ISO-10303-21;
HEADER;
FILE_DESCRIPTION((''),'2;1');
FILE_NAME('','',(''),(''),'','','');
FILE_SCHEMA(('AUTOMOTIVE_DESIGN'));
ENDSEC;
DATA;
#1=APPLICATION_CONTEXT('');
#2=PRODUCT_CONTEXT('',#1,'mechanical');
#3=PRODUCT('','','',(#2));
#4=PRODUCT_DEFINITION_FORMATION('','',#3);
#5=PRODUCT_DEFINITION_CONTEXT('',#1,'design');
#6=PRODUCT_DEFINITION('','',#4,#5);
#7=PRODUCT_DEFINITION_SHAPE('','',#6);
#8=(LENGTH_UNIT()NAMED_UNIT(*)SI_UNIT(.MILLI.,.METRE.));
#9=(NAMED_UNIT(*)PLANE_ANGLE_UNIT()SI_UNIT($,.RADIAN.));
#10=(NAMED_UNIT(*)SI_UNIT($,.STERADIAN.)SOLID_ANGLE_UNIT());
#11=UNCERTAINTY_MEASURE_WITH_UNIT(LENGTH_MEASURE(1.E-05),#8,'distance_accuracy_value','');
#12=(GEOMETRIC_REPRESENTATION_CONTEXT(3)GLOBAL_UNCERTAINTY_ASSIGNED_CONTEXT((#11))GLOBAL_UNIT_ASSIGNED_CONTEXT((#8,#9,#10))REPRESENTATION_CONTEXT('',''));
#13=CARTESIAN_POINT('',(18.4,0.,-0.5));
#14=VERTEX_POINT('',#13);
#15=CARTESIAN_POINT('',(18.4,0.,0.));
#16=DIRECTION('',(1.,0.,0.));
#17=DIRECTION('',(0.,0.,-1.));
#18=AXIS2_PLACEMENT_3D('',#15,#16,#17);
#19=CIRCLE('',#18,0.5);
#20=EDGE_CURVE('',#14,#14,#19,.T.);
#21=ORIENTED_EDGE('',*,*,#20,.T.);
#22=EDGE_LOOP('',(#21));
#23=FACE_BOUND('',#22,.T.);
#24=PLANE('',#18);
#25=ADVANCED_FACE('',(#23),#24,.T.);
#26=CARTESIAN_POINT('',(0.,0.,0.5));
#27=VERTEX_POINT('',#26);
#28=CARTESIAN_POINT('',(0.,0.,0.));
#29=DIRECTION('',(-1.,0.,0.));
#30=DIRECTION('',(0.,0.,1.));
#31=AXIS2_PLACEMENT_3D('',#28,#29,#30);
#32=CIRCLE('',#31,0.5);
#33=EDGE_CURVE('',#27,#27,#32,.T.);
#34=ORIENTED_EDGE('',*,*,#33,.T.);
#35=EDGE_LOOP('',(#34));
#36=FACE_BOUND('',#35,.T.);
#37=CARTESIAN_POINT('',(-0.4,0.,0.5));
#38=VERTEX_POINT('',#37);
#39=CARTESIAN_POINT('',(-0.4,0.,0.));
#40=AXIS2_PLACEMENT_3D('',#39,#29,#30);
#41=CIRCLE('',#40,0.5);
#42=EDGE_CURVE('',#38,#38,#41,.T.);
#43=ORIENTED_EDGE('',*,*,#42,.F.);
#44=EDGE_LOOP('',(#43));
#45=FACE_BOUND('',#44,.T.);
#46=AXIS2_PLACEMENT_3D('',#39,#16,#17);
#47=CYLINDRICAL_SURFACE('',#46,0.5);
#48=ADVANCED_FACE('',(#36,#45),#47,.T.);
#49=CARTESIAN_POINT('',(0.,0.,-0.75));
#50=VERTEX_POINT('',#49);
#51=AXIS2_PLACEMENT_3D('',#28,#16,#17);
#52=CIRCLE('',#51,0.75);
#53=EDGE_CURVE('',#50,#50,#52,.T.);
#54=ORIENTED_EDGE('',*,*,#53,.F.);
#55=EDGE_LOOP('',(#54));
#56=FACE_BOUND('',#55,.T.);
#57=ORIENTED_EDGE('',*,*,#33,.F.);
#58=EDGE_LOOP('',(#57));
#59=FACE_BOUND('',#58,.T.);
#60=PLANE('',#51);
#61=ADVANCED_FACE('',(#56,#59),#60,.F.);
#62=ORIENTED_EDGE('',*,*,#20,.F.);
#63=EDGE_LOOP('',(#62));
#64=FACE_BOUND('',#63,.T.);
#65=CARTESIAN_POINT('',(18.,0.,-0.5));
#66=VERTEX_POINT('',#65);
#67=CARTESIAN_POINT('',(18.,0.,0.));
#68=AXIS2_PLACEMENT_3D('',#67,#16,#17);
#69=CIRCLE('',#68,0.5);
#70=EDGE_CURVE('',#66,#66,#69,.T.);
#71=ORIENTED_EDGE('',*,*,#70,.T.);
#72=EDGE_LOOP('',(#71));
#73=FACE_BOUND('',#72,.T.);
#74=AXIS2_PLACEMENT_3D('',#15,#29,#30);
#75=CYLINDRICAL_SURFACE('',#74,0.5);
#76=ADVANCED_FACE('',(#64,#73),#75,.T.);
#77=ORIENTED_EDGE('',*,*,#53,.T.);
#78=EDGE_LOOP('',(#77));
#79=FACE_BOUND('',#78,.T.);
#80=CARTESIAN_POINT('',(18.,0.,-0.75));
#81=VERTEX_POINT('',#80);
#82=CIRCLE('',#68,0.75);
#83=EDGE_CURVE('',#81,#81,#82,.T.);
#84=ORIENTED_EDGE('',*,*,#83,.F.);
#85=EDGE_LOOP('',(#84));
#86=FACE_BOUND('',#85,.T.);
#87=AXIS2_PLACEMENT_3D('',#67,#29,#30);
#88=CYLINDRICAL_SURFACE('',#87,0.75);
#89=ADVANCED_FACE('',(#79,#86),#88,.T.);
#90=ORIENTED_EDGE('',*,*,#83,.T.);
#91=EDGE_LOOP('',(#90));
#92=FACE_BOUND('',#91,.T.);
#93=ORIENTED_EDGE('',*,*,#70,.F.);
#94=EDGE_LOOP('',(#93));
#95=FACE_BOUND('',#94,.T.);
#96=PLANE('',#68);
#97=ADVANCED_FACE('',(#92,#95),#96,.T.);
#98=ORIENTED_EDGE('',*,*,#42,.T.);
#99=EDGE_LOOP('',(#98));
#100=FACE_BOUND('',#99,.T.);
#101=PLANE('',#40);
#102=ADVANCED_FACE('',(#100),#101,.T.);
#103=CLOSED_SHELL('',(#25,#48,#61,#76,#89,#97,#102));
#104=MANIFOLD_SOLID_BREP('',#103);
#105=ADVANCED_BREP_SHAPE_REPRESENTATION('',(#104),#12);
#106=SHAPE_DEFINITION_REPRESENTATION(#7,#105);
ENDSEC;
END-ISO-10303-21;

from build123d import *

# Parameters (mm, degrees)
SKETCH1_R           = 0.75
BOSS_EXTRUDE1_DEPTH = 18
SKETCH2_R           = 0.5
BOSS_EXTRUDE2_DEPTH = 0.4
SKETCH3_R           = 0.5
BOSS_EXTRUDE3_DEPTH = 0.4


with BuildPart() as part:
    # Sketch1 → Boss-Extrude1 (new body)
    with BuildSketch(Plane(origin=(0, 0, 0), x_dir=(0, 0, -1), z_dir=(1, 0, 0))):
        Circle(SKETCH1_R)
    extrude(amount=BOSS_EXTRUDE1_DEPTH)

    # Sketch2 → Boss-Extrude2 (add)
    with BuildSketch(Plane(origin=(18, 0, 0), x_dir=(0, 0, -1), z_dir=(1, 0, 0))):
        Circle(SKETCH2_R)
    extrude(amount=BOSS_EXTRUDE2_DEPTH)

    # Sketch3 → Boss-Extrude3 (add)
    with BuildSketch(Plane.ZY):
        Circle(SKETCH3_R)
    extrude(amount=BOSS_EXTRUDE3_DEPTH)


solid = part.part
